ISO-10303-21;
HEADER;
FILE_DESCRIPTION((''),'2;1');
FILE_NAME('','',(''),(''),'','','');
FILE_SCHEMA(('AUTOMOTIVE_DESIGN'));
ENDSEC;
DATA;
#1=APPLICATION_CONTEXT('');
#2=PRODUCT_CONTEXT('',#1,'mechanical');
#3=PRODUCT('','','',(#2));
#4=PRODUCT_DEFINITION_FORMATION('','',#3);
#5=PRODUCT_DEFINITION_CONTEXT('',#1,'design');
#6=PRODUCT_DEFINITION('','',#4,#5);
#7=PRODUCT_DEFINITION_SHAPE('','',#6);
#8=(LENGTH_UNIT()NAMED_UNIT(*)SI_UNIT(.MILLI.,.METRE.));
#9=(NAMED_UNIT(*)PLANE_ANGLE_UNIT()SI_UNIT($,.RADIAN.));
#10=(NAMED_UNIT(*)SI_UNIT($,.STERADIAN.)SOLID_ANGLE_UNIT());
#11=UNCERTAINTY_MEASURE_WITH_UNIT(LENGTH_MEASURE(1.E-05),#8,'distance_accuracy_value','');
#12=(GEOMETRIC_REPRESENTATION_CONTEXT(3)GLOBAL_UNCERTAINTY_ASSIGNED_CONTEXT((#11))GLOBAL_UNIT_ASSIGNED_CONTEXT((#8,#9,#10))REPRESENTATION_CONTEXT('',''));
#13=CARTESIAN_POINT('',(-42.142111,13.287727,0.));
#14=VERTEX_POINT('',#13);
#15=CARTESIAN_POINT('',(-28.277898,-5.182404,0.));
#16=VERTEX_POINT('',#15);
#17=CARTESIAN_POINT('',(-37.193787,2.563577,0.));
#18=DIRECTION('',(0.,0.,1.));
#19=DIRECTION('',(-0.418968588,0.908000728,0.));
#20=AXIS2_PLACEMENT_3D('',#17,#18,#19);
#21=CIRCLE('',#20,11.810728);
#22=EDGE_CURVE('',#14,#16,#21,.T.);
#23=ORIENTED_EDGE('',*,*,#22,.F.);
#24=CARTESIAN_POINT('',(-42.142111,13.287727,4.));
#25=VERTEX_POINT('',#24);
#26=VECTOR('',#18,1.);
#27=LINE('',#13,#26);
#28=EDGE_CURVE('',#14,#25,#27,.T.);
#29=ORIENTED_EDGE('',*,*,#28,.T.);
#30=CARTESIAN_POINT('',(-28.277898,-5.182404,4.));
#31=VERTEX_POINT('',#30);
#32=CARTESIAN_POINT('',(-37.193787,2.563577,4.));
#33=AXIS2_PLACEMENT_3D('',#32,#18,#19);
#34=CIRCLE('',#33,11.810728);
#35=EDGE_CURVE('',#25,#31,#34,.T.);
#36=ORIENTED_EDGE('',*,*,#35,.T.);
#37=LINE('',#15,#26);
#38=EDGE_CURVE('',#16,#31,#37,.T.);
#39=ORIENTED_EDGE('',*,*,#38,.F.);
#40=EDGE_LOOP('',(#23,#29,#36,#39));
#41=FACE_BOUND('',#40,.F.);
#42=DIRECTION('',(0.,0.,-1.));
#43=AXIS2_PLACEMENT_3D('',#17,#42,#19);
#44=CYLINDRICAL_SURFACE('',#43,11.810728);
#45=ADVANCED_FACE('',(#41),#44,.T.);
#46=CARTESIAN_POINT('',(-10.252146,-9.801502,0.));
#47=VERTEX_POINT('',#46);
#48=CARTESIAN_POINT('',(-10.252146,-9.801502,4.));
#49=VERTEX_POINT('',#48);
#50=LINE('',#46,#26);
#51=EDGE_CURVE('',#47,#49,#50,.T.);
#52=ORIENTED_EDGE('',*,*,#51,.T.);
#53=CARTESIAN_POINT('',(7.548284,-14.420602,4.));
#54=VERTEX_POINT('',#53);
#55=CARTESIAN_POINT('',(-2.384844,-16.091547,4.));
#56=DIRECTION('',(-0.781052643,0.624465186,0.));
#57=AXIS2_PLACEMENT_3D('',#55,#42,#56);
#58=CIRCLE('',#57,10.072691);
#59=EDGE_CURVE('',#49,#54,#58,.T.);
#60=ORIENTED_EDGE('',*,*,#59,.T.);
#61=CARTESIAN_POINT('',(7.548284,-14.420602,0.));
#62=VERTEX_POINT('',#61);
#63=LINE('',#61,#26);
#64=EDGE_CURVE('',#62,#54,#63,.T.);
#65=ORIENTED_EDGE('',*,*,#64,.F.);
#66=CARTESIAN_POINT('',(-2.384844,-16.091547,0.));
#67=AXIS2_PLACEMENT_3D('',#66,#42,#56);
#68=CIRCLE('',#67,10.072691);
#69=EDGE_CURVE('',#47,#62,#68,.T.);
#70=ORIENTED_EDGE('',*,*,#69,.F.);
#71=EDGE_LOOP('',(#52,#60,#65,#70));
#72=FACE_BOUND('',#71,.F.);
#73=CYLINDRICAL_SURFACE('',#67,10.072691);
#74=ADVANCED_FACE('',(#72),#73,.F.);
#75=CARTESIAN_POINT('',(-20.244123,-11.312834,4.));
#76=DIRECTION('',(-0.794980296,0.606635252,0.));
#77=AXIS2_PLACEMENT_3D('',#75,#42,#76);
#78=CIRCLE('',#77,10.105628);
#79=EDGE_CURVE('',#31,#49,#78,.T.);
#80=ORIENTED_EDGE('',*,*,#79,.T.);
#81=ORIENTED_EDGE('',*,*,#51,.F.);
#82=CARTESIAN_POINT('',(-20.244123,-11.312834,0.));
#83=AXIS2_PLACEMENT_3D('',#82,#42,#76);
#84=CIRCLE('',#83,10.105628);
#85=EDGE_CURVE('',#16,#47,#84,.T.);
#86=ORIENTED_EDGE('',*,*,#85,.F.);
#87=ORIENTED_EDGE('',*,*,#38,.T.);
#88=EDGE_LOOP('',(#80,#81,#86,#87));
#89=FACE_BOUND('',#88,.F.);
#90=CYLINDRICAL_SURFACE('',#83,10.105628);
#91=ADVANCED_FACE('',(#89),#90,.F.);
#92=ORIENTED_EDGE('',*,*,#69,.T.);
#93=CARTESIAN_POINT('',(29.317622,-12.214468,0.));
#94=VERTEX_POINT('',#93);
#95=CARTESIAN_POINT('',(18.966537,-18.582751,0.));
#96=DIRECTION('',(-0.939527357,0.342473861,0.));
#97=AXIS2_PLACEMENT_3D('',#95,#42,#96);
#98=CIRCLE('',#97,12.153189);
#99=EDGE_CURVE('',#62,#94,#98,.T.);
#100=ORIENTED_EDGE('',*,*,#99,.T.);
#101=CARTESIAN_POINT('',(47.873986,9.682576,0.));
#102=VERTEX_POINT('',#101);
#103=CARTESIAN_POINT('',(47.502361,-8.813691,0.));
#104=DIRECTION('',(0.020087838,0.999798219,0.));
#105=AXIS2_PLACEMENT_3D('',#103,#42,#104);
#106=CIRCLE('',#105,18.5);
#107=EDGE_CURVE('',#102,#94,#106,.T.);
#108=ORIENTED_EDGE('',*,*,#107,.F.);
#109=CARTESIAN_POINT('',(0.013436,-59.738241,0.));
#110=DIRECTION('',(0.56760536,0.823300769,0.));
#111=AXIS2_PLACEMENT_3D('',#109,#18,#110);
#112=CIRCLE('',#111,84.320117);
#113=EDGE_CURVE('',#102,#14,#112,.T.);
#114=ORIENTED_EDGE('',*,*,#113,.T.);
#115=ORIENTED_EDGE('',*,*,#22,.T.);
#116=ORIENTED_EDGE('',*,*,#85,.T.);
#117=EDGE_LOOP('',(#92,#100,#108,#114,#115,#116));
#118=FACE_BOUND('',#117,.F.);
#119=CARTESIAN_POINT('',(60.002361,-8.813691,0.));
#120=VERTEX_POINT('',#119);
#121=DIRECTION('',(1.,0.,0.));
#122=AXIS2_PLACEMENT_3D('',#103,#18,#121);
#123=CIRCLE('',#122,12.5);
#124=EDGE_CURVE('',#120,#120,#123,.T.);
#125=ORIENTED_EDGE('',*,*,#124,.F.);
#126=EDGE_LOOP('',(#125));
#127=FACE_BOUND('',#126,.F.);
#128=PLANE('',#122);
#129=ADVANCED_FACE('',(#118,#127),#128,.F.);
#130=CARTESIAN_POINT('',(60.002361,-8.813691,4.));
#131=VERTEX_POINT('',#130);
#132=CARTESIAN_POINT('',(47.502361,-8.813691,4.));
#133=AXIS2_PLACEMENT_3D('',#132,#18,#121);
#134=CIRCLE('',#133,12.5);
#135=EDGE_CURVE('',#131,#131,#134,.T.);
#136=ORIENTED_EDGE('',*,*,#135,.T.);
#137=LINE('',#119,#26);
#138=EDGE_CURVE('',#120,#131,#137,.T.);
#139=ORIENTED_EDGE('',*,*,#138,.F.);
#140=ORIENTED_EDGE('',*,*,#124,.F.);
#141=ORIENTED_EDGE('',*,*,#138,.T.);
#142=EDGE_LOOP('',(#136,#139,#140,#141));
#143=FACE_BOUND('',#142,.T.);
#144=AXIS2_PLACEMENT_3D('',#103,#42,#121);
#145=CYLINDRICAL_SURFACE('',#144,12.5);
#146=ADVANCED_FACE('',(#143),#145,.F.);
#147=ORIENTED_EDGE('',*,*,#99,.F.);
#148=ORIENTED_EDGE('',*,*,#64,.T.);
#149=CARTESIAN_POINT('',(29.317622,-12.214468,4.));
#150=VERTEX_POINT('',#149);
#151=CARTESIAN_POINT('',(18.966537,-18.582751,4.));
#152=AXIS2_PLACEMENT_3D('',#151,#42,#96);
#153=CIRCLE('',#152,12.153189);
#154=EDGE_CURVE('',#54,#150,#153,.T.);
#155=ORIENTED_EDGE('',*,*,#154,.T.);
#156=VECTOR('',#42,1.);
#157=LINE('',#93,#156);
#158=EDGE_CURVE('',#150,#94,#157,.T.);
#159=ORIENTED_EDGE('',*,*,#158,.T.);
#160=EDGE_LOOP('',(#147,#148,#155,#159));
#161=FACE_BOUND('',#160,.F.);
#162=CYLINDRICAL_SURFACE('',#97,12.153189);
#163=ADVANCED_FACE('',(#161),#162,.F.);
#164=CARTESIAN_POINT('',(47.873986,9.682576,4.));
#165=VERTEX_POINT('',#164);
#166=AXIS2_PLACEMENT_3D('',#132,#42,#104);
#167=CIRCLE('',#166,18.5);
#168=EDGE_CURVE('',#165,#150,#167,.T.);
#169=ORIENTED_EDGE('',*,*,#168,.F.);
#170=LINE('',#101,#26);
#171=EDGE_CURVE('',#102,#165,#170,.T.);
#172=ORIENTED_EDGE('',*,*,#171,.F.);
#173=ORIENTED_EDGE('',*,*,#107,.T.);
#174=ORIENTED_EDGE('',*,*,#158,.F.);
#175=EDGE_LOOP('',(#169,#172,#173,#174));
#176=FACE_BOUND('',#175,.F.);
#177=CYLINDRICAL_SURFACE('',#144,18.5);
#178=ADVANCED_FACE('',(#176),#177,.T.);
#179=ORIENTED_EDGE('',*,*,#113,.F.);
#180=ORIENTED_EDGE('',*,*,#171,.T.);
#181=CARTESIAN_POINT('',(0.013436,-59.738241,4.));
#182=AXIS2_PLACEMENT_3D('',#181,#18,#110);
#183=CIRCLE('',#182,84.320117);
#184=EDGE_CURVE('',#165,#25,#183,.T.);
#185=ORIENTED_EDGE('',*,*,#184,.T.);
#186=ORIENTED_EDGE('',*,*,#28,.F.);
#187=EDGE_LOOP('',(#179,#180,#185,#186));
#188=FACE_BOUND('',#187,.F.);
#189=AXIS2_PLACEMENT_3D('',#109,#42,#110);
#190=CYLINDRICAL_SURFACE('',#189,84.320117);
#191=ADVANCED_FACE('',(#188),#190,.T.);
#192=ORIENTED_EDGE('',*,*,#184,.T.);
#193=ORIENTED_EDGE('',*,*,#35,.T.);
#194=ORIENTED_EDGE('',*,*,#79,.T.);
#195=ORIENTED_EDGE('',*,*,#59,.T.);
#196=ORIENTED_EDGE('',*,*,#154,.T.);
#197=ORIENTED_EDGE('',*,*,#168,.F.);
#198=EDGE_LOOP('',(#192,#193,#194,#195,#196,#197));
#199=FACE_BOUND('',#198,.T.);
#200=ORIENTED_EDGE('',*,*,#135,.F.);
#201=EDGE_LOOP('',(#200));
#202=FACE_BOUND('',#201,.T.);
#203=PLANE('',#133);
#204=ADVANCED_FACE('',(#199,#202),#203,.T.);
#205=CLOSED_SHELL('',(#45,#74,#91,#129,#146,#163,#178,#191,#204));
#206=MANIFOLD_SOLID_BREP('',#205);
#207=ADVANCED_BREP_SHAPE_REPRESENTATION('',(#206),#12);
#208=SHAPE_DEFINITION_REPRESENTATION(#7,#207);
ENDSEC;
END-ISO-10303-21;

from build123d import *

# Parameters (mm, degrees)
F0_R     = 18.5
F0_R_2   = 12.5
F1_DEPTH = 4
F3_DEPTH = 4


with BuildPart() as f1:
    # F0 (on Top) → F1 (new body)
    with BuildSketch(Plane.XY):
        with Locations((47.502361, -8.813691)):
            Circle(F0_R)
        with Locations((47.502361, -8.813691)):
            Circle(F0_R_2, mode=Mode.SUBTRACT)
    extrude(amount=F1_DEPTH)

    # F2 (on Top) → F3 (join, through all)
    with BuildSketch(Plane.XY):
        with BuildLine():
            ThreePointArc((31.048742, -17.271139), (34.936347, -0.969643), (47.873986, 9.682576))
            ThreePointArc((47.873986, 9.682576), (3.387758, 24.514332), (-42.142111, 13.287727))
            ThreePointArc((-42.142111, 13.287727), (-46.639518, -4.52666), (-28.277898, -5.182404))
            ThreePointArc((-28.277898, -5.182404), (-17.735606, -1.5235), (-10.252146, -9.801502))
            ThreePointArc((-10.252146, -9.801502), (0.145162, -6.341769), (7.548284, -14.420602))
            ThreePointArc((7.548284, -14.420602), (20.429958, -6.517993), (31.048742, -17.271139))
        make_face()
    extrude(amount=F3_DEPTH)


solid = f1.part
